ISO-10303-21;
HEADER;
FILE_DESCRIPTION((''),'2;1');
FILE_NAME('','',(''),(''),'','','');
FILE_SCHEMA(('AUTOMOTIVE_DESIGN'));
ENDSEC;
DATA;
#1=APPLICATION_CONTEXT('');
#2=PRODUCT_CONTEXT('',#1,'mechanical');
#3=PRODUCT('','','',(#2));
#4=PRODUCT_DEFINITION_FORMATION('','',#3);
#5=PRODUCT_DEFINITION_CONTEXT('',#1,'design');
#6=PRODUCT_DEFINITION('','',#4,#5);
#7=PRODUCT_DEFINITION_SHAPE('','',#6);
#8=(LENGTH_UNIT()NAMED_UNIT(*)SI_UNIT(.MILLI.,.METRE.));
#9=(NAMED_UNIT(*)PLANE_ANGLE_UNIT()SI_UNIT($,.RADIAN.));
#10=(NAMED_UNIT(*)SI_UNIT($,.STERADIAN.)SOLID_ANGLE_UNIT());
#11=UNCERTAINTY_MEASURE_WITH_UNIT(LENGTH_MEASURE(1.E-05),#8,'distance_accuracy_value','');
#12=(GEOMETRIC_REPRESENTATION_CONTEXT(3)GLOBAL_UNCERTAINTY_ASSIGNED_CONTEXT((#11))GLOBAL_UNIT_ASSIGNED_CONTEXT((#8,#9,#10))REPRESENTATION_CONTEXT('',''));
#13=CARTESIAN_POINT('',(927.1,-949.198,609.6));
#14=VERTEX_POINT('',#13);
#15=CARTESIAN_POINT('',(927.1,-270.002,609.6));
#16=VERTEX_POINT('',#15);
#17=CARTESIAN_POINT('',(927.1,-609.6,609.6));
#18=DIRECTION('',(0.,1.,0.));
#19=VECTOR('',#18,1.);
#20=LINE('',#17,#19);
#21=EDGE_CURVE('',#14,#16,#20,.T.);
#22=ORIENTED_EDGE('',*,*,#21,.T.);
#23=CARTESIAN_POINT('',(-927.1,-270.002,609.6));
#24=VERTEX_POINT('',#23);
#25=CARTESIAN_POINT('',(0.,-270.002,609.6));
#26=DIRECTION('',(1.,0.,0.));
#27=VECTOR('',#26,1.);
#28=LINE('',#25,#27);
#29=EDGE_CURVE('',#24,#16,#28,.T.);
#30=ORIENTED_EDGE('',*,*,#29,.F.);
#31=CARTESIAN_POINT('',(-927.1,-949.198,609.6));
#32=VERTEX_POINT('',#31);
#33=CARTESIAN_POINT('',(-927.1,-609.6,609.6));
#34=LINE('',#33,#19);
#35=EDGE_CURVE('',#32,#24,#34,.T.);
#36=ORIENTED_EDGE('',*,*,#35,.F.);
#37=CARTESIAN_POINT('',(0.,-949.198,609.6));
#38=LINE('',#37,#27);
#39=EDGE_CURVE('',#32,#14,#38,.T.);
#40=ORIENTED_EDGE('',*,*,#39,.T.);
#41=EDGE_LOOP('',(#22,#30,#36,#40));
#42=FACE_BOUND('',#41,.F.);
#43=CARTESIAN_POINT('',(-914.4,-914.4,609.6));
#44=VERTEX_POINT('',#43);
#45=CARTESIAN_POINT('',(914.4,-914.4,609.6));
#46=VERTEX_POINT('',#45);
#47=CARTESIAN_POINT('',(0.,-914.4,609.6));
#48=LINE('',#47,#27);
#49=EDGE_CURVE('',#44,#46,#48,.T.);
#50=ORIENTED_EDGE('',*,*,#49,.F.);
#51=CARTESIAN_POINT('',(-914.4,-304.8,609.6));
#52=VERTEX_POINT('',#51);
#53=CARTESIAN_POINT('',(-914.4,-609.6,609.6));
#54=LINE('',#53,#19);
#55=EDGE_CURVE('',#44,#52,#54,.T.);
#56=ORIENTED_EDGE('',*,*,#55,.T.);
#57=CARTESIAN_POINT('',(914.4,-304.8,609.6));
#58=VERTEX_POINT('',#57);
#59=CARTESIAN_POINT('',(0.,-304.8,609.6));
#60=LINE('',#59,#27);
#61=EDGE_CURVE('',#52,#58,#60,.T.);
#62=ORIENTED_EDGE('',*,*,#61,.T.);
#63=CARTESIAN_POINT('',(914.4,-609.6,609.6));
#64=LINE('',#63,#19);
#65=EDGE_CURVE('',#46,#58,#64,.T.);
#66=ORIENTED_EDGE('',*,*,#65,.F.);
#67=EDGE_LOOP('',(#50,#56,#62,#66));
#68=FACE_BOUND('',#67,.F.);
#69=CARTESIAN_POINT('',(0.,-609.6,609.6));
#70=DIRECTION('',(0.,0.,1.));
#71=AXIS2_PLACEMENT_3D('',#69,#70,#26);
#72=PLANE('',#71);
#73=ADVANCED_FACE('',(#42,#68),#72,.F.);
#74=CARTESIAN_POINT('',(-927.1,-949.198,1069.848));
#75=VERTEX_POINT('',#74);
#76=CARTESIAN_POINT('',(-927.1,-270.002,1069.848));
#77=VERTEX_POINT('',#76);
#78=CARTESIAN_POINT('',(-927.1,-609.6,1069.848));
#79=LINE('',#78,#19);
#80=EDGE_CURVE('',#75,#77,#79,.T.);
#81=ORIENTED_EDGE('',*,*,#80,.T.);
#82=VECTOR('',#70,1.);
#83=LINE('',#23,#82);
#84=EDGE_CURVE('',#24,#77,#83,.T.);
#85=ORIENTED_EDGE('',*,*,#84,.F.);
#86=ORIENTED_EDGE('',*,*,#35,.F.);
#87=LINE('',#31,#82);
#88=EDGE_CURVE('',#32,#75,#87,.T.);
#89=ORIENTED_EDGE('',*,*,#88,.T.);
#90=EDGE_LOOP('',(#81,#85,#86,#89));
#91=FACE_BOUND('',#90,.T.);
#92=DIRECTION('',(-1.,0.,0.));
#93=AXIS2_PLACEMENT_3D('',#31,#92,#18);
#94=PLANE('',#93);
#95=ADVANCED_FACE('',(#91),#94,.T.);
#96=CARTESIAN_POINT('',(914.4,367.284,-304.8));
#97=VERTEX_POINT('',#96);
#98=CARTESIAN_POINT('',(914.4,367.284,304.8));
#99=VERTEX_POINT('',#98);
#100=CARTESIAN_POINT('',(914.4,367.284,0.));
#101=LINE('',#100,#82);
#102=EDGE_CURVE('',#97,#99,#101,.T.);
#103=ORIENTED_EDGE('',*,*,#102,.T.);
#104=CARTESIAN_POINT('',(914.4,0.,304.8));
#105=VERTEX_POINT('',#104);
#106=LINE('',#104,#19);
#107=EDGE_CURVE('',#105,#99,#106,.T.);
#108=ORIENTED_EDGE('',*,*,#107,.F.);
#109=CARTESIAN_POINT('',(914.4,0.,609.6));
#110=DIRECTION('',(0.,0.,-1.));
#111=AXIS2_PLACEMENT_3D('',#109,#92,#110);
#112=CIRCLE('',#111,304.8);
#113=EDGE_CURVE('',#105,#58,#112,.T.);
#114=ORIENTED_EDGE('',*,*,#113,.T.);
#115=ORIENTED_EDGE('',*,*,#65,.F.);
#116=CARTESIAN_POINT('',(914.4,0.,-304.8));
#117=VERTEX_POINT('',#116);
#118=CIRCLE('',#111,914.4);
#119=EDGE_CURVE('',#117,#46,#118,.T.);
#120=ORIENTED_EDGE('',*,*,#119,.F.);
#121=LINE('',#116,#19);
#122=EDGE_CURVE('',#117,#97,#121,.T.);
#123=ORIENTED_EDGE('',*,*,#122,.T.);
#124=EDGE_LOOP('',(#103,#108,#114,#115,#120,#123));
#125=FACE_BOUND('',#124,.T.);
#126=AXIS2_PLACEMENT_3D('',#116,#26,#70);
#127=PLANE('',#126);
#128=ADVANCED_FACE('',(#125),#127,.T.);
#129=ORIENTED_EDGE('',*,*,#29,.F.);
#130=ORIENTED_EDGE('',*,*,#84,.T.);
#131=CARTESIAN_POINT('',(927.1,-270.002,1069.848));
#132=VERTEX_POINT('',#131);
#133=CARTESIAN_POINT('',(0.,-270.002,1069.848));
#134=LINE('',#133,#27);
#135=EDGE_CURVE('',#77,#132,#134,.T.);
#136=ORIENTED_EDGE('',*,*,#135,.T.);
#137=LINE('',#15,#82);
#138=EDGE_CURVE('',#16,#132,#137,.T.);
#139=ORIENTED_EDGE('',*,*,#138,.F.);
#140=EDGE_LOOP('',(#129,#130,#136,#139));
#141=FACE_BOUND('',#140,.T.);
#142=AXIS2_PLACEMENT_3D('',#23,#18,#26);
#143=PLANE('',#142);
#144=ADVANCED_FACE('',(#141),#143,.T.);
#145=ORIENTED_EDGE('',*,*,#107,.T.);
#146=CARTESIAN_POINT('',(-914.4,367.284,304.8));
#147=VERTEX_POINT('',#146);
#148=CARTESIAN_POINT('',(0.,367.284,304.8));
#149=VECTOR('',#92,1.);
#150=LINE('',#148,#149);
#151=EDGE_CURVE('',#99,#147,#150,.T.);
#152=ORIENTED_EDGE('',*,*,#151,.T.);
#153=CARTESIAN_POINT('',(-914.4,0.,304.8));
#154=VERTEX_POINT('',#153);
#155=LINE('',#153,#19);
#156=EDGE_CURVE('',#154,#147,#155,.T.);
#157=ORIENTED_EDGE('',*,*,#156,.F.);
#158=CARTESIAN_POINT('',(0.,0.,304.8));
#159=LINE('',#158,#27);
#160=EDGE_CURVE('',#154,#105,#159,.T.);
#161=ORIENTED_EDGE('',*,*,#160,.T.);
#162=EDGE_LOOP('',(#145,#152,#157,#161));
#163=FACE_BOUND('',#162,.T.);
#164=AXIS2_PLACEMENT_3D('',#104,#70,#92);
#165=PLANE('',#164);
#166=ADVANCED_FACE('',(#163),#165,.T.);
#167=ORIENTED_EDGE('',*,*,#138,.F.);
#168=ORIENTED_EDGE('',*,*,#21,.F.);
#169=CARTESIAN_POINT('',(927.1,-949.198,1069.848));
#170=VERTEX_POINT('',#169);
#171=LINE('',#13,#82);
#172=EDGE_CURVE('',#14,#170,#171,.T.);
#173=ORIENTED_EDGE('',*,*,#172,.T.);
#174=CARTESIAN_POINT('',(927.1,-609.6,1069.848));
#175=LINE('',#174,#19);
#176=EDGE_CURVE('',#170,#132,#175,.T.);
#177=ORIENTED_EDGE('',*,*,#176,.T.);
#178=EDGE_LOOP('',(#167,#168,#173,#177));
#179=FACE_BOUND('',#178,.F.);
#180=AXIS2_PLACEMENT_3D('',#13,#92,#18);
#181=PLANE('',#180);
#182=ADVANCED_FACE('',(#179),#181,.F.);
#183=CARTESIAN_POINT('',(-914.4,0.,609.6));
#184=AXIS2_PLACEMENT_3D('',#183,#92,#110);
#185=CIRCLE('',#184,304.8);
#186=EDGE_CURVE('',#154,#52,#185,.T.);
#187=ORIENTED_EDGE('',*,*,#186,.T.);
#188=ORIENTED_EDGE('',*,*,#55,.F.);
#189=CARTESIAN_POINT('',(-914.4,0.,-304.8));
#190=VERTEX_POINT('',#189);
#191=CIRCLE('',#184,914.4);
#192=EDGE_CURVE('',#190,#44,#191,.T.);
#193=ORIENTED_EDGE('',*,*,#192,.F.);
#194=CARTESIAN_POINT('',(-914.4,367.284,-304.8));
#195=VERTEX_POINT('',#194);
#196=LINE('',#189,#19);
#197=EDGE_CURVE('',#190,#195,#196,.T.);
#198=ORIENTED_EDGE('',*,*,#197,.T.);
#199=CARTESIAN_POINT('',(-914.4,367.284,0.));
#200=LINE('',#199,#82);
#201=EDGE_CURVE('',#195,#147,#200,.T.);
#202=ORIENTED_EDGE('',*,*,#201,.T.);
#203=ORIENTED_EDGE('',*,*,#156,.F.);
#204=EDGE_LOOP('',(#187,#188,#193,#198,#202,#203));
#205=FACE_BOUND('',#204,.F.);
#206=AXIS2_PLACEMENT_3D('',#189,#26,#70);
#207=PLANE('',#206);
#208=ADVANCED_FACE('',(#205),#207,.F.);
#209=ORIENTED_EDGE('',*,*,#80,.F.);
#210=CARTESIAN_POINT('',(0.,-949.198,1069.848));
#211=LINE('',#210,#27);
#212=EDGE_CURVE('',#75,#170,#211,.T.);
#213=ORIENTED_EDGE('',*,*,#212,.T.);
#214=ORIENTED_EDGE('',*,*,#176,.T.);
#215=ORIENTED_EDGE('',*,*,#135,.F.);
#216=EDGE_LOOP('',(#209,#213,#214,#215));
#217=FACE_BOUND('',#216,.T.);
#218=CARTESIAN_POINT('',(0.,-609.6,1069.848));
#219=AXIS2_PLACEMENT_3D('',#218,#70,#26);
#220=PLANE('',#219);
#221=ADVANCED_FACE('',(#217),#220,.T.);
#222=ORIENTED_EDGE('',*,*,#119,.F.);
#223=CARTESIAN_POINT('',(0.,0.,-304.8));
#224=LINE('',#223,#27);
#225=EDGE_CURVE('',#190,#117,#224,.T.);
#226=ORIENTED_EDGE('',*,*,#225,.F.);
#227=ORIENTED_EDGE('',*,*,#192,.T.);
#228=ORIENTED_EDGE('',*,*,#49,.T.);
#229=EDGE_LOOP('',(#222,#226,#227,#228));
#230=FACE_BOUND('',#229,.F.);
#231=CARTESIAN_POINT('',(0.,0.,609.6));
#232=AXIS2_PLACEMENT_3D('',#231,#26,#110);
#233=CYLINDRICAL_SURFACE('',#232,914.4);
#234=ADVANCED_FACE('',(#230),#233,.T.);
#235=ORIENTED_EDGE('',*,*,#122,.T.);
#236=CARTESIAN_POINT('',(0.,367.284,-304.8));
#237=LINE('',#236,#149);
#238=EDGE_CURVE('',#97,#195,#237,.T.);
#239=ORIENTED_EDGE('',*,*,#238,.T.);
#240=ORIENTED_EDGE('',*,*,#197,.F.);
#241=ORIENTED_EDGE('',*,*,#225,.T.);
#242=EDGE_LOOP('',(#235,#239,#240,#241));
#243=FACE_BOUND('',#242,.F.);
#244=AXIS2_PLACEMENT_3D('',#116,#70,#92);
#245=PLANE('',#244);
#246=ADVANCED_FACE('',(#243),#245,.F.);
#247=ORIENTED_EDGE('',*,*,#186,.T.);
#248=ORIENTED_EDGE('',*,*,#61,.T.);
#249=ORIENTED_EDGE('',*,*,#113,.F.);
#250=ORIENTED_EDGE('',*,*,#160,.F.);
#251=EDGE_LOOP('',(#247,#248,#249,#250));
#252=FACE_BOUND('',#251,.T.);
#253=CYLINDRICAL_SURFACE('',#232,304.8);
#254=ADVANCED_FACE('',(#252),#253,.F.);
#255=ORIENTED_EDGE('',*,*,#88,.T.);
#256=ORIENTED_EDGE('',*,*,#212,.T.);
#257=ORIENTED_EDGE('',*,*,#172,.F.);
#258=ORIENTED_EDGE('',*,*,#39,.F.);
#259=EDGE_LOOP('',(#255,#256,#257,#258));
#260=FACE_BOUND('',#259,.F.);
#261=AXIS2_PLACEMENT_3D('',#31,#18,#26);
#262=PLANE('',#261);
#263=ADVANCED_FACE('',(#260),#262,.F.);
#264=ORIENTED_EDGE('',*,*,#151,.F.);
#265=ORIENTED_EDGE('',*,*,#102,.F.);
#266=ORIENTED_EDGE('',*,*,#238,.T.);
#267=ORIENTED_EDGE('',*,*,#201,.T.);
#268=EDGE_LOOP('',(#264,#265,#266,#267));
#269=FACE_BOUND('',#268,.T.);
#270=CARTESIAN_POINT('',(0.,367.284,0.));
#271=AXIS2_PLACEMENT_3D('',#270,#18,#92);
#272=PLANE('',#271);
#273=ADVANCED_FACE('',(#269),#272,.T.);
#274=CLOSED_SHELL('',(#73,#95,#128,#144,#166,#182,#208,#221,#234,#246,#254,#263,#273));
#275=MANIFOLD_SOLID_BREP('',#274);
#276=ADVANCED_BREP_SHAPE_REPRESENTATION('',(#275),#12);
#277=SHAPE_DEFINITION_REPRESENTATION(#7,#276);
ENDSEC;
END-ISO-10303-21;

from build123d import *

# Parameters (mm, degrees)
F0_W      = 1828.8
F0_H      = 609.6
F2_ANGLE  = 90
F2_FACE_W = 1828.8
F2_FACE_H = 609.6
F3_DEPTH  = 367.284
F4_W      = 1854.2
F4_H      = 679.196
F5_DEPTH  = 460.248


with BuildPart() as f2:
    # F0 (on Front) → F2 (revolve)
    with BuildSketch(Plane.XZ):
        Rectangle(F0_W, F0_H)
    revolve(axis=Axis((-199.10112, 0, 609.6), (-1, 0, 0)), revolution_arc=F2_ANGLE)

    # F2_face (on face) → F3 (join)
    with BuildSketch(Plane(origin=(0, 0, 0), x_dir=(-1, 0, 0), z_dir=(0, 1, 0))):
        Rectangle(F2_FACE_W, F2_FACE_H)
    extrude(amount=F3_DEPTH)

    # F4 (on face) → F5 (join)
    with BuildSketch(Plane.XY.offset(609.6)):
        with Locations((0, -609.6)):
            Rectangle(F4_W, F4_H)
    extrude(amount=F5_DEPTH)


solid = f2.part
